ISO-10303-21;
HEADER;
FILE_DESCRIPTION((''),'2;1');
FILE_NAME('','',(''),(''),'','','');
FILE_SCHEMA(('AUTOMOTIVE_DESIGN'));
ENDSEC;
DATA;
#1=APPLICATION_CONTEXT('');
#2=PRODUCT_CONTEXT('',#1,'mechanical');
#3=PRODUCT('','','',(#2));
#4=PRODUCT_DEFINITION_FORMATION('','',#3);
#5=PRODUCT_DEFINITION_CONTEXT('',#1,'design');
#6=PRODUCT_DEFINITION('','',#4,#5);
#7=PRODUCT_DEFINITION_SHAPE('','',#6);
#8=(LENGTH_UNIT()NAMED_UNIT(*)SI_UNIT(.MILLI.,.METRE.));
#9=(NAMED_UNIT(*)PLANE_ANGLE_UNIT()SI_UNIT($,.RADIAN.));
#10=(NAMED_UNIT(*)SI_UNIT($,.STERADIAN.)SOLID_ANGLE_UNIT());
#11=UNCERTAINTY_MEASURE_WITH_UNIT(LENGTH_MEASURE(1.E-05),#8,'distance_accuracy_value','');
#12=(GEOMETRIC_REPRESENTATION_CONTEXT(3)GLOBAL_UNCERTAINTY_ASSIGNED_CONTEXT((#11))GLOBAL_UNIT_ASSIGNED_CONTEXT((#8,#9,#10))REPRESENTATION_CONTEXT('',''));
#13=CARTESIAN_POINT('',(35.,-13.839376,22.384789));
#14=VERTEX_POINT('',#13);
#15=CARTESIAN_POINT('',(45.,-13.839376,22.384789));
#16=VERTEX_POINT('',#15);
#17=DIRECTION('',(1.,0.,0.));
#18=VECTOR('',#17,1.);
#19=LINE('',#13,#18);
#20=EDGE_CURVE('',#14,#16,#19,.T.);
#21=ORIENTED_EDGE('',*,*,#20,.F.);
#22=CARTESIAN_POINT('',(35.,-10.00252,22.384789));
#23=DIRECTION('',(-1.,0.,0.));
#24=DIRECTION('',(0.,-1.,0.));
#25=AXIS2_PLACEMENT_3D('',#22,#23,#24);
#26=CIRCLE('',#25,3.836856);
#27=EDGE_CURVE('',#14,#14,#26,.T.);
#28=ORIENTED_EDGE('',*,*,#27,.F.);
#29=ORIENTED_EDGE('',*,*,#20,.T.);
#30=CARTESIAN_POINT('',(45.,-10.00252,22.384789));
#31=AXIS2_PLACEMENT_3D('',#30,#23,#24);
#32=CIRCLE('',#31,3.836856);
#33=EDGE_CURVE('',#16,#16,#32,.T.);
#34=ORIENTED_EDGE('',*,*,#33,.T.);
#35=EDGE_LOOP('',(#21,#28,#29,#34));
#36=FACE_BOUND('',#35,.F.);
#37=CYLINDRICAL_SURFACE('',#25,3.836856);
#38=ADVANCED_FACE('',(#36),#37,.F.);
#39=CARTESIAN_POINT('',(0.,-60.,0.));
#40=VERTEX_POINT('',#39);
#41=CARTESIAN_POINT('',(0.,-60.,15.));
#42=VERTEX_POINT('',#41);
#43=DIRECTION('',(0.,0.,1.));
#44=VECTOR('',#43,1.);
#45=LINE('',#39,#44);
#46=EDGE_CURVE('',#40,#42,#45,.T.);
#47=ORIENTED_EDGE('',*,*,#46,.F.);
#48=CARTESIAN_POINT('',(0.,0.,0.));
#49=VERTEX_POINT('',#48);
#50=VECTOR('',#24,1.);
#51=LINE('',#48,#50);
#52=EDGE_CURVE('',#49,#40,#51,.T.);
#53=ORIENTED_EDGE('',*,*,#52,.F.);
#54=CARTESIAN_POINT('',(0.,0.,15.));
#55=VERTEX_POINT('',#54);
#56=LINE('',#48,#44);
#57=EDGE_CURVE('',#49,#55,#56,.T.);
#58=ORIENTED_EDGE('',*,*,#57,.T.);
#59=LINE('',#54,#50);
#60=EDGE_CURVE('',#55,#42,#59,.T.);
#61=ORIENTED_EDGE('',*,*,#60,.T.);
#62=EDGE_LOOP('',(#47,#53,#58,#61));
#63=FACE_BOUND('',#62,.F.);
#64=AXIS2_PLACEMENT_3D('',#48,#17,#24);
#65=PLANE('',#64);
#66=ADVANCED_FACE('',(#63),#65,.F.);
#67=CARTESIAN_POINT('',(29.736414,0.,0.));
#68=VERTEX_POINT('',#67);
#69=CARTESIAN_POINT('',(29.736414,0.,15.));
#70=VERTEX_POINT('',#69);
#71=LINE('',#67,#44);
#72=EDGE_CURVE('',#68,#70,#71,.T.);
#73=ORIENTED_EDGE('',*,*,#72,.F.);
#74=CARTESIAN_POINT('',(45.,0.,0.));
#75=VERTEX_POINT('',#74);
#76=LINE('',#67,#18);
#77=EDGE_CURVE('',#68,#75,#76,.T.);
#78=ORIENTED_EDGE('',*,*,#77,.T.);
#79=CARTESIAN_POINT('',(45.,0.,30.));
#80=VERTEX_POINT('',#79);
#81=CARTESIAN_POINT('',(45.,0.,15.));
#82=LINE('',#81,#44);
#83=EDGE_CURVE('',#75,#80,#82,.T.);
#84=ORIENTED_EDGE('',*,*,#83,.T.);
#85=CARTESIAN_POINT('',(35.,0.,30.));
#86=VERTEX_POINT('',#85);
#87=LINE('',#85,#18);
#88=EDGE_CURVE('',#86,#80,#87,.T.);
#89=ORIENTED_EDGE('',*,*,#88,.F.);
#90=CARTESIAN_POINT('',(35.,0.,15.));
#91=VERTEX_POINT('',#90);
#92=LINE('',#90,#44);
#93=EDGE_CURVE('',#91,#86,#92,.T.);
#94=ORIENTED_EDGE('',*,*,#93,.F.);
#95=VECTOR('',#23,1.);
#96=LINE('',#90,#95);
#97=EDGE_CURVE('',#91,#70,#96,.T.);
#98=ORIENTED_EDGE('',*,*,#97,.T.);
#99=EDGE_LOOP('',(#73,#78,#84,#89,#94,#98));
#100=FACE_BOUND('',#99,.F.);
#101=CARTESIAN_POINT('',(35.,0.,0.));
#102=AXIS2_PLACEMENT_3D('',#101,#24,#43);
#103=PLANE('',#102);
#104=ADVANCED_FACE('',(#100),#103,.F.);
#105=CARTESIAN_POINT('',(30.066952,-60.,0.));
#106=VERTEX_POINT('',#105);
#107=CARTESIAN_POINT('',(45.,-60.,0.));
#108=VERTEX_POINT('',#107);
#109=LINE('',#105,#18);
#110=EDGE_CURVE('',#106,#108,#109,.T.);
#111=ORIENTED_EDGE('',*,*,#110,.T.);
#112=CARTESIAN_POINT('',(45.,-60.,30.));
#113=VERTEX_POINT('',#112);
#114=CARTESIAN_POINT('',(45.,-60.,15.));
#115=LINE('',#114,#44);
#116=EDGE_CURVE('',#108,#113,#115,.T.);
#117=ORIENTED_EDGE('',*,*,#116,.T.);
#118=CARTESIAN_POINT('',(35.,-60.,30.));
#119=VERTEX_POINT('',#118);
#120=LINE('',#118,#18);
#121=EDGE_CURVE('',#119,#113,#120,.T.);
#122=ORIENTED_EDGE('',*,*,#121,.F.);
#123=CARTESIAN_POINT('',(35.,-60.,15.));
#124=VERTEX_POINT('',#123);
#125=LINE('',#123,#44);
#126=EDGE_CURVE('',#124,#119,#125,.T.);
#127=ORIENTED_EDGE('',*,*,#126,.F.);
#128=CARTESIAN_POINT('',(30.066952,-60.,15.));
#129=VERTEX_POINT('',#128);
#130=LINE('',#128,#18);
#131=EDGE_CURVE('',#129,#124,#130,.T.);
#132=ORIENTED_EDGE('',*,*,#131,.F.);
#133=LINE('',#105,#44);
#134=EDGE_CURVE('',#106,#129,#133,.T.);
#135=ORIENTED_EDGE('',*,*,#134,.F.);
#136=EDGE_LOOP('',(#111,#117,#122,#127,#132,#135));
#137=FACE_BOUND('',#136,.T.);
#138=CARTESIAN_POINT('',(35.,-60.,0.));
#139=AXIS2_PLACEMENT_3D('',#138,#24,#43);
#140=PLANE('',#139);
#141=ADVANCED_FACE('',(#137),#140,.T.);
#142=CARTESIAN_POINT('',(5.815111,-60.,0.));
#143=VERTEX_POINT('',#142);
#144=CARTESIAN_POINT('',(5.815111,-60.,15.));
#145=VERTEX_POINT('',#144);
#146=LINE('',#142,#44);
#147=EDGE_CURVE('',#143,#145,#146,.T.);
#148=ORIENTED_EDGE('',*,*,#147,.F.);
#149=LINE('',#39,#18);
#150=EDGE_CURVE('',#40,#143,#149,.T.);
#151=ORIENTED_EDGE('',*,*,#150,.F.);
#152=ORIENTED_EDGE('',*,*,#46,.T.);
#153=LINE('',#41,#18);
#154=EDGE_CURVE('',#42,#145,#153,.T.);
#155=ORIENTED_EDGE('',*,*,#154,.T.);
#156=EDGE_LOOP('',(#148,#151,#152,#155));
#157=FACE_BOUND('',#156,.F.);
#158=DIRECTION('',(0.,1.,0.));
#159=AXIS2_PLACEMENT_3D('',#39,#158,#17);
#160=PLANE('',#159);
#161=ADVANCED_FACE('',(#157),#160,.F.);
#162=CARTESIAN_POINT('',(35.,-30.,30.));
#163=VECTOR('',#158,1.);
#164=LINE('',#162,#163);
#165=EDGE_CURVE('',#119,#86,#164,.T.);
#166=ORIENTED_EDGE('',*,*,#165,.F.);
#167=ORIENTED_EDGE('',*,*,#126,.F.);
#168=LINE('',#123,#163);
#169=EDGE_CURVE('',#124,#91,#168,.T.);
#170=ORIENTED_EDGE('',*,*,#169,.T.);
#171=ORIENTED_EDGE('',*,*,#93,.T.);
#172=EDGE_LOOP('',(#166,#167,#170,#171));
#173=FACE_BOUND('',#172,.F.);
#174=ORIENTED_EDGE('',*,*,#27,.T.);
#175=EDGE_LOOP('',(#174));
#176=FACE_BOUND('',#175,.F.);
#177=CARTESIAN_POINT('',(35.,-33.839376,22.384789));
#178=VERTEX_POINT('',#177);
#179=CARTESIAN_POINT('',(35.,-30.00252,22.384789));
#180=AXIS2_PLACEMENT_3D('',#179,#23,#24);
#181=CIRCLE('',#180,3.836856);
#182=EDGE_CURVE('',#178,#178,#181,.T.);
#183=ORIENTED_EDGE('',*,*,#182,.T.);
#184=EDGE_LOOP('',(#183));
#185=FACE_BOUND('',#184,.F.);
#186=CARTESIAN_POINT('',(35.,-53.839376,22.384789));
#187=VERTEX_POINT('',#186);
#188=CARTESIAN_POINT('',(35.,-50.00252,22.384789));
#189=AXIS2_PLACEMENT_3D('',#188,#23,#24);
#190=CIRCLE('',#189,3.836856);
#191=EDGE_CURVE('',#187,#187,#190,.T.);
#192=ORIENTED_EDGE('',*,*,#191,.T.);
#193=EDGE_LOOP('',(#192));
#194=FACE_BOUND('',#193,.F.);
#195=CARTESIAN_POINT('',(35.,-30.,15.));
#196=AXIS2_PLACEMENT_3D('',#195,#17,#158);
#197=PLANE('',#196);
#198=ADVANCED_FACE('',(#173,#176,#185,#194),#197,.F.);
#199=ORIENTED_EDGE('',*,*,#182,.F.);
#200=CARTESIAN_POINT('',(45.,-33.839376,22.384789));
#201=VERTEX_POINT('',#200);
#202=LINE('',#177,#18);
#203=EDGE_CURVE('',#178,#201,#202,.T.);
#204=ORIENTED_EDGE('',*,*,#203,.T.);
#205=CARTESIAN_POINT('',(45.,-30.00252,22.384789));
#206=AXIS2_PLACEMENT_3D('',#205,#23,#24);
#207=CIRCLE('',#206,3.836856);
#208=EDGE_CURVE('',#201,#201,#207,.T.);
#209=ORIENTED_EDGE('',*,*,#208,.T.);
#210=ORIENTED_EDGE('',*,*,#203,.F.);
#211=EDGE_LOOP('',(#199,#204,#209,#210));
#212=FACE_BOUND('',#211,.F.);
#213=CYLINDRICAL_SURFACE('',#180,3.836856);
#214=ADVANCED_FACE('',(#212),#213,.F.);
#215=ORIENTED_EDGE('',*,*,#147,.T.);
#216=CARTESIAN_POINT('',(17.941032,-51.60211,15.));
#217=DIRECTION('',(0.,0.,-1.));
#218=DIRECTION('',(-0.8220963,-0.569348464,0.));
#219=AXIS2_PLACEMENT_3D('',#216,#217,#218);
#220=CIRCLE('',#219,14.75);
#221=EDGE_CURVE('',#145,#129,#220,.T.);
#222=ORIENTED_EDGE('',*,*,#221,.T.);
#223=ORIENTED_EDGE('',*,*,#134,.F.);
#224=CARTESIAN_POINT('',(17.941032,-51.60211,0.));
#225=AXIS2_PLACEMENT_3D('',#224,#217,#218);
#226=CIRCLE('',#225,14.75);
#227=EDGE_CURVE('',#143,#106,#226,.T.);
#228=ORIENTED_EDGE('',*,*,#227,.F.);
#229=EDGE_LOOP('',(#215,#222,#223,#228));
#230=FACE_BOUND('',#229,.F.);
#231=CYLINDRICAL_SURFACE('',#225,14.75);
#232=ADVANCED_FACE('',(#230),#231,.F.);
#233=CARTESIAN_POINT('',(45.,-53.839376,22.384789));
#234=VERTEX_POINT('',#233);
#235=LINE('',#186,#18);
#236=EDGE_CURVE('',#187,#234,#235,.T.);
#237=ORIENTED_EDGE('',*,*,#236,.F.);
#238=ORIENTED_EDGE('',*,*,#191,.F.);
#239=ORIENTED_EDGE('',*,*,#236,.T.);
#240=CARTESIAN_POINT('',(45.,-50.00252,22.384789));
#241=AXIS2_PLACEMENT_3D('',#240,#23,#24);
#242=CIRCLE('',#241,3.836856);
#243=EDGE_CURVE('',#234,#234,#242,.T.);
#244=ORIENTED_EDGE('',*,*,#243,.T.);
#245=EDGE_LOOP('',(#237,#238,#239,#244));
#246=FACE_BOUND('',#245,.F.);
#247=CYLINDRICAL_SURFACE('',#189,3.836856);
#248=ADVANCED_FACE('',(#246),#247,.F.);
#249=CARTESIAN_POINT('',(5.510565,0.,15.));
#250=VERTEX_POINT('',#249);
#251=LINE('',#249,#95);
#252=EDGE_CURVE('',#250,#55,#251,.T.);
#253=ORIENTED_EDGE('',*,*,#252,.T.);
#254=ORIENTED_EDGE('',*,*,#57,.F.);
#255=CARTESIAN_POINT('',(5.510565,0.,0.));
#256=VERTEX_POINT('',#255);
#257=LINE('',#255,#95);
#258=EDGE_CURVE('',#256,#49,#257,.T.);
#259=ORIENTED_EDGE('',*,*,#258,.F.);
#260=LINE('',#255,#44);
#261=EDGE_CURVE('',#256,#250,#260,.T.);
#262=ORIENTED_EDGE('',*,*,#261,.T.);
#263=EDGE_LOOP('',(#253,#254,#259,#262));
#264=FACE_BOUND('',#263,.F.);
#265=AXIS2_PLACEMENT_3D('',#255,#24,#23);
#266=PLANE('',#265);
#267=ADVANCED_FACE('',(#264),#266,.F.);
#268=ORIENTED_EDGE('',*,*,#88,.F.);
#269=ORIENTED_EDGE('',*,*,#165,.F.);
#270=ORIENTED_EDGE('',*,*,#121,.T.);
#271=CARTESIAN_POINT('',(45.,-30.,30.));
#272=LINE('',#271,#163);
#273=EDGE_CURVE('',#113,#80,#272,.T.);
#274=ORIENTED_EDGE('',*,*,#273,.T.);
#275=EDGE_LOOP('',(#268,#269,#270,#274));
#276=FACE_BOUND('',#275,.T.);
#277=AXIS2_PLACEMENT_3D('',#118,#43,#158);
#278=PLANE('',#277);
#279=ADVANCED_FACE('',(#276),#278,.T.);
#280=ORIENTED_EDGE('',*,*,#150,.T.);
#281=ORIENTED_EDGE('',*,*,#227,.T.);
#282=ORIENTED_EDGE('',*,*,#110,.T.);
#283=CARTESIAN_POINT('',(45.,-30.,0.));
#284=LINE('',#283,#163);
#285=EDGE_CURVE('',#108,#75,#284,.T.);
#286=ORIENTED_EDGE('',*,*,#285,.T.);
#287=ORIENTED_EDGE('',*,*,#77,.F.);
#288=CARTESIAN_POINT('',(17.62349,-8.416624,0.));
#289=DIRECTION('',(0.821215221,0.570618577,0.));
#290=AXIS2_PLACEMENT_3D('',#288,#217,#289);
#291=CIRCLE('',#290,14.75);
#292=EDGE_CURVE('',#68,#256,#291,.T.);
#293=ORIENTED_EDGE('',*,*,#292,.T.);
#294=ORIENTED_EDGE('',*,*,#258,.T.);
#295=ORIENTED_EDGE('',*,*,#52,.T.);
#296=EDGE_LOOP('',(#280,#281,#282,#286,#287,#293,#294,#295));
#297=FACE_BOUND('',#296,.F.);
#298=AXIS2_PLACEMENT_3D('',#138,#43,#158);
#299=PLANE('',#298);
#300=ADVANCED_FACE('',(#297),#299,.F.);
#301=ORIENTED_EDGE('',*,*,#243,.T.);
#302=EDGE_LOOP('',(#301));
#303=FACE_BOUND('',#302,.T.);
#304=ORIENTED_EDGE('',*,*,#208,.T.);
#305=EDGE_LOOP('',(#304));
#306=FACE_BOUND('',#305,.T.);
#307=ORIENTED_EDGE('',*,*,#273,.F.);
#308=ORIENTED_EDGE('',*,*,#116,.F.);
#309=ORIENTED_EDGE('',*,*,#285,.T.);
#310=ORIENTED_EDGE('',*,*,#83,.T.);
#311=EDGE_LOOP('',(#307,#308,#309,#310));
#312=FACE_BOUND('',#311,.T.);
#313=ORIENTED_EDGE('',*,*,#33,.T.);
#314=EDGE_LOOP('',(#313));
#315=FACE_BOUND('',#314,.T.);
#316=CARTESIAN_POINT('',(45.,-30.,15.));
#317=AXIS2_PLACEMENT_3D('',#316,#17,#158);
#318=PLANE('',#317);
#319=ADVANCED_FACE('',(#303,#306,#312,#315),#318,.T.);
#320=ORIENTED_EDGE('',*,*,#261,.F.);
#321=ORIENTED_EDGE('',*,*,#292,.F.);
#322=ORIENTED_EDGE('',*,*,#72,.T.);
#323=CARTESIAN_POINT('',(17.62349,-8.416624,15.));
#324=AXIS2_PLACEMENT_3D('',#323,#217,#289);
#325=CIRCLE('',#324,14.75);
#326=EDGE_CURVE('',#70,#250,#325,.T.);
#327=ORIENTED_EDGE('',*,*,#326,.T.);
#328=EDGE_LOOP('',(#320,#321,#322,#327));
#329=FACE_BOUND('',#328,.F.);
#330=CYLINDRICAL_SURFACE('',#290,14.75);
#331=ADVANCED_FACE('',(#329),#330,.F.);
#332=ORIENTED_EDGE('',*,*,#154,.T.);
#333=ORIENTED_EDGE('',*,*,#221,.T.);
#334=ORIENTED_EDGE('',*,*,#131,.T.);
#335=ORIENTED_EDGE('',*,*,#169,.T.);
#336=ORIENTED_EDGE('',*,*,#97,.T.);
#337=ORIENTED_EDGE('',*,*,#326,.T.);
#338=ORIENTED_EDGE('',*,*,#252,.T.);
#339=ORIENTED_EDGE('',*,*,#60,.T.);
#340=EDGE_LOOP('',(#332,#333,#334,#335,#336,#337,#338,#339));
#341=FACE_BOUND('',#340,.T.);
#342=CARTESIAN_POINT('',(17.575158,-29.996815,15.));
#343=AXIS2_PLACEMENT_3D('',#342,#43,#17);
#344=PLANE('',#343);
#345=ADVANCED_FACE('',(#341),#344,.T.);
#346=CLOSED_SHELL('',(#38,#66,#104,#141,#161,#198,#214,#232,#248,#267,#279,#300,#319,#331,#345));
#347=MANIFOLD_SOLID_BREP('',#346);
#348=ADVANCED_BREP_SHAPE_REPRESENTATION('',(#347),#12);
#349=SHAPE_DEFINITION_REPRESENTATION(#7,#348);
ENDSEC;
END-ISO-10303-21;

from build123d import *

# Parameters (mm, degrees)
F1_DEPTH = 15
F2_W     = 60
F2_H     = 30
F3_DEPTH = 10
F4_R     = 3.836856
F5_DEPTH = 25


with BuildPart() as f1:
    # F0 (on Top) → F1 (new body)
    with BuildSketch(Plane.XY):
        with BuildLine():
            Line((5.510565, 0), (0, 0))
            Line((0, 0), (0, -60))
            Line((0, -60), (5.815111, -60))
            ThreePointArc((5.815111, -60), (17.941032, -36.85211), (30.066952, -60))
            Line((30.066952, -60), (35, -60))
            Line((35, -60), (35, 0))
            Line((35, 0), (29.736414, 0))
            ThreePointArc((29.736414, 0), (17.62349, -23.166624), (5.510565, 0))
        make_face()
    extrude(amount=F1_DEPTH)

    # F2 (on face) → F3 (join)
    with BuildSketch(Plane.YZ.offset(35)):
        with Locations((-30, 15)):
            Rectangle(F2_W, F2_H)
    extrude(amount=F3_DEPTH)

    # F4 (on face) → F5 (cut)
    with BuildSketch(Plane(origin=(35, 0, 0), x_dir=(0, -1, 0), z_dir=(-1, 0, 0))):
        with Locations((10.00252, 22.384789)):
            Circle(F4_R)
        with Locations((30.00252, 22.384789)):
            Circle(F4_R)
        with Locations((50.00252, 22.384789)):
            Circle(F4_R)
    extrude(amount=-F5_DEPTH, mode=Mode.SUBTRACT)


solid = f1.part
